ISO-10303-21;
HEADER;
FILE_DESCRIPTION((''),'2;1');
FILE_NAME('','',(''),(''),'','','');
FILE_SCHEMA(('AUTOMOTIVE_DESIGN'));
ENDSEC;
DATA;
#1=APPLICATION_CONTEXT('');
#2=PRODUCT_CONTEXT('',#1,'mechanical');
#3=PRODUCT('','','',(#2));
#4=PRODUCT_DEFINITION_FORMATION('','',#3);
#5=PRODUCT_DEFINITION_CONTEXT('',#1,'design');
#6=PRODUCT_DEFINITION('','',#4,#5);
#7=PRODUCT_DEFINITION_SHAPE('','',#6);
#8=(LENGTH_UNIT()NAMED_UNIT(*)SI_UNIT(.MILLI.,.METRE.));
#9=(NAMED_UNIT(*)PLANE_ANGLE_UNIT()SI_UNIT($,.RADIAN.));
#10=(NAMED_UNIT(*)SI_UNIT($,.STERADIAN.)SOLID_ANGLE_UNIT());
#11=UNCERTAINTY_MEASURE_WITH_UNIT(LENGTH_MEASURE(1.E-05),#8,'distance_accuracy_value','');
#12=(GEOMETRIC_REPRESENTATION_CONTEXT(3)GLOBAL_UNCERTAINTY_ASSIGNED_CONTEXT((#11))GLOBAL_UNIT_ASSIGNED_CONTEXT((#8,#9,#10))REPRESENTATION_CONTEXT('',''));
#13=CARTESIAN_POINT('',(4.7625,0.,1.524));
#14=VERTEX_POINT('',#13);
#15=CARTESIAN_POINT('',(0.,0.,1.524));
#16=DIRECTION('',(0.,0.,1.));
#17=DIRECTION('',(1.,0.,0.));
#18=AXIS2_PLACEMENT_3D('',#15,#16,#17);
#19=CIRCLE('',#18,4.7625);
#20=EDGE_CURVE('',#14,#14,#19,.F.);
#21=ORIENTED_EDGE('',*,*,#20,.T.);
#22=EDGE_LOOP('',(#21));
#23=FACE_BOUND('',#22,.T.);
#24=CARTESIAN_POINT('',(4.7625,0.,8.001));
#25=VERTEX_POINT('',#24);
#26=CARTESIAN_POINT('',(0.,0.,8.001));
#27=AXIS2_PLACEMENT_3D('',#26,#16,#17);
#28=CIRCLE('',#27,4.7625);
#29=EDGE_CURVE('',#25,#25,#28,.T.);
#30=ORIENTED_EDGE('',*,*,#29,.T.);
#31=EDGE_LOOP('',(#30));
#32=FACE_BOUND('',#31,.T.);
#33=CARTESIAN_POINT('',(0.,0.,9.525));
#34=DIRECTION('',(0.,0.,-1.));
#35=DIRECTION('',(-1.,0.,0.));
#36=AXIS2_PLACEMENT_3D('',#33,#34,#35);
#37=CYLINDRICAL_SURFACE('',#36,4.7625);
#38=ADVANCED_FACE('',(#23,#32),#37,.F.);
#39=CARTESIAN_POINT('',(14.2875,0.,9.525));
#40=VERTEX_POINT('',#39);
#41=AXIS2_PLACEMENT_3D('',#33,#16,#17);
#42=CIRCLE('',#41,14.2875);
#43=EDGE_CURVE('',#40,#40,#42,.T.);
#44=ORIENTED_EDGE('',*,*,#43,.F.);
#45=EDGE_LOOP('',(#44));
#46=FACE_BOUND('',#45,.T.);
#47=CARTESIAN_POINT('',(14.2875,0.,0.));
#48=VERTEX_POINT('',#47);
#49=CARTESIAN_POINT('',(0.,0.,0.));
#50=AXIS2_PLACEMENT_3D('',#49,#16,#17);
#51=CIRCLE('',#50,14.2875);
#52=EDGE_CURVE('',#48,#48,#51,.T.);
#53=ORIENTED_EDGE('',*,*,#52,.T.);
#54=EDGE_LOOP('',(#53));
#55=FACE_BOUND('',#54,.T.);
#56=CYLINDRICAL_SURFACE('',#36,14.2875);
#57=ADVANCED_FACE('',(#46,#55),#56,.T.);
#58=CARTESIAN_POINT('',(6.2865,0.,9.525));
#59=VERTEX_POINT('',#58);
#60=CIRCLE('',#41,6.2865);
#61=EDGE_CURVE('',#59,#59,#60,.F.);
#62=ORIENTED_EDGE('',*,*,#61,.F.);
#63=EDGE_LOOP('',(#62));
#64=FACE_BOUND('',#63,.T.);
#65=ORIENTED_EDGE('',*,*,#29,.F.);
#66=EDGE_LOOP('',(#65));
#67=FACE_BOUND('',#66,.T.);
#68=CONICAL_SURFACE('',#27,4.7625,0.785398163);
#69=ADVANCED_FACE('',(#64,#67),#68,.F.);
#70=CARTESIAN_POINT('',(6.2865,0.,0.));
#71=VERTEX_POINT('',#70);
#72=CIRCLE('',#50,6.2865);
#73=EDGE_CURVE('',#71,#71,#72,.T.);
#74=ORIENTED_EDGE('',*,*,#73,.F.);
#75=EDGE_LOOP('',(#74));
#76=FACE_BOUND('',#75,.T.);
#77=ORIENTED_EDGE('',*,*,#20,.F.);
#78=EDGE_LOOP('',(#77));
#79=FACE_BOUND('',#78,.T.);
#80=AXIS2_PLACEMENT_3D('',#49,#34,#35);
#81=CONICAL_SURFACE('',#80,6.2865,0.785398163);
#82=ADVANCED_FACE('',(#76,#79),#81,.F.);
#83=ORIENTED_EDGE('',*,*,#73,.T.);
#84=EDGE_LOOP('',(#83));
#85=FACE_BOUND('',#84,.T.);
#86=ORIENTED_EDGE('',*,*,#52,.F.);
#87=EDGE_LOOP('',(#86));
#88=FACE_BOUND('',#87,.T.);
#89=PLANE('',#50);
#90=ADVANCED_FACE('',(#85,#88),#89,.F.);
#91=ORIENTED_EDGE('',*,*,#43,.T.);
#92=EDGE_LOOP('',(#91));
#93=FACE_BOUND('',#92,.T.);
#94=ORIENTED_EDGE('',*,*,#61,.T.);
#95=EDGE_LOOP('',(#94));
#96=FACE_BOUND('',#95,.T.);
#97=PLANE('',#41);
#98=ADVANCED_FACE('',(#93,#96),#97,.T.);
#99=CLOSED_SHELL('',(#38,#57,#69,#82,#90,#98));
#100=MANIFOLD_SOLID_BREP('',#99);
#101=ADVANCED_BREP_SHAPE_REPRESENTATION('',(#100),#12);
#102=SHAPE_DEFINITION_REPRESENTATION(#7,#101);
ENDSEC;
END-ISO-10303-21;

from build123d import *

# Parameters (mm, degrees)
SKETCH1_R           = 14.2875
SKETCH1_R_2         = 4.7625
BOSS_EXTRUDE1_DEPTH = 9.525
CHAMFER1_SIZE       = 1.524


with BuildPart() as part:
    # Sketch1 → Boss-Extrude1 (new body)
    with BuildSketch(Plane.XY):
        Circle(SKETCH1_R)
        Circle(SKETCH1_R_2, mode=Mode.SUBTRACT)
    extrude(amount=BOSS_EXTRUDE1_DEPTH)

    # Chamfer1
    chamfer1_edges = [part.edges().sort_by_distance(p)[0] for p in [
        (-4.7625, 0, 0),
        (-4.7625, 0, 9.525),
    ]]
    chamfer(chamfer1_edges, length=CHAMFER1_SIZE)


solid = part.part
